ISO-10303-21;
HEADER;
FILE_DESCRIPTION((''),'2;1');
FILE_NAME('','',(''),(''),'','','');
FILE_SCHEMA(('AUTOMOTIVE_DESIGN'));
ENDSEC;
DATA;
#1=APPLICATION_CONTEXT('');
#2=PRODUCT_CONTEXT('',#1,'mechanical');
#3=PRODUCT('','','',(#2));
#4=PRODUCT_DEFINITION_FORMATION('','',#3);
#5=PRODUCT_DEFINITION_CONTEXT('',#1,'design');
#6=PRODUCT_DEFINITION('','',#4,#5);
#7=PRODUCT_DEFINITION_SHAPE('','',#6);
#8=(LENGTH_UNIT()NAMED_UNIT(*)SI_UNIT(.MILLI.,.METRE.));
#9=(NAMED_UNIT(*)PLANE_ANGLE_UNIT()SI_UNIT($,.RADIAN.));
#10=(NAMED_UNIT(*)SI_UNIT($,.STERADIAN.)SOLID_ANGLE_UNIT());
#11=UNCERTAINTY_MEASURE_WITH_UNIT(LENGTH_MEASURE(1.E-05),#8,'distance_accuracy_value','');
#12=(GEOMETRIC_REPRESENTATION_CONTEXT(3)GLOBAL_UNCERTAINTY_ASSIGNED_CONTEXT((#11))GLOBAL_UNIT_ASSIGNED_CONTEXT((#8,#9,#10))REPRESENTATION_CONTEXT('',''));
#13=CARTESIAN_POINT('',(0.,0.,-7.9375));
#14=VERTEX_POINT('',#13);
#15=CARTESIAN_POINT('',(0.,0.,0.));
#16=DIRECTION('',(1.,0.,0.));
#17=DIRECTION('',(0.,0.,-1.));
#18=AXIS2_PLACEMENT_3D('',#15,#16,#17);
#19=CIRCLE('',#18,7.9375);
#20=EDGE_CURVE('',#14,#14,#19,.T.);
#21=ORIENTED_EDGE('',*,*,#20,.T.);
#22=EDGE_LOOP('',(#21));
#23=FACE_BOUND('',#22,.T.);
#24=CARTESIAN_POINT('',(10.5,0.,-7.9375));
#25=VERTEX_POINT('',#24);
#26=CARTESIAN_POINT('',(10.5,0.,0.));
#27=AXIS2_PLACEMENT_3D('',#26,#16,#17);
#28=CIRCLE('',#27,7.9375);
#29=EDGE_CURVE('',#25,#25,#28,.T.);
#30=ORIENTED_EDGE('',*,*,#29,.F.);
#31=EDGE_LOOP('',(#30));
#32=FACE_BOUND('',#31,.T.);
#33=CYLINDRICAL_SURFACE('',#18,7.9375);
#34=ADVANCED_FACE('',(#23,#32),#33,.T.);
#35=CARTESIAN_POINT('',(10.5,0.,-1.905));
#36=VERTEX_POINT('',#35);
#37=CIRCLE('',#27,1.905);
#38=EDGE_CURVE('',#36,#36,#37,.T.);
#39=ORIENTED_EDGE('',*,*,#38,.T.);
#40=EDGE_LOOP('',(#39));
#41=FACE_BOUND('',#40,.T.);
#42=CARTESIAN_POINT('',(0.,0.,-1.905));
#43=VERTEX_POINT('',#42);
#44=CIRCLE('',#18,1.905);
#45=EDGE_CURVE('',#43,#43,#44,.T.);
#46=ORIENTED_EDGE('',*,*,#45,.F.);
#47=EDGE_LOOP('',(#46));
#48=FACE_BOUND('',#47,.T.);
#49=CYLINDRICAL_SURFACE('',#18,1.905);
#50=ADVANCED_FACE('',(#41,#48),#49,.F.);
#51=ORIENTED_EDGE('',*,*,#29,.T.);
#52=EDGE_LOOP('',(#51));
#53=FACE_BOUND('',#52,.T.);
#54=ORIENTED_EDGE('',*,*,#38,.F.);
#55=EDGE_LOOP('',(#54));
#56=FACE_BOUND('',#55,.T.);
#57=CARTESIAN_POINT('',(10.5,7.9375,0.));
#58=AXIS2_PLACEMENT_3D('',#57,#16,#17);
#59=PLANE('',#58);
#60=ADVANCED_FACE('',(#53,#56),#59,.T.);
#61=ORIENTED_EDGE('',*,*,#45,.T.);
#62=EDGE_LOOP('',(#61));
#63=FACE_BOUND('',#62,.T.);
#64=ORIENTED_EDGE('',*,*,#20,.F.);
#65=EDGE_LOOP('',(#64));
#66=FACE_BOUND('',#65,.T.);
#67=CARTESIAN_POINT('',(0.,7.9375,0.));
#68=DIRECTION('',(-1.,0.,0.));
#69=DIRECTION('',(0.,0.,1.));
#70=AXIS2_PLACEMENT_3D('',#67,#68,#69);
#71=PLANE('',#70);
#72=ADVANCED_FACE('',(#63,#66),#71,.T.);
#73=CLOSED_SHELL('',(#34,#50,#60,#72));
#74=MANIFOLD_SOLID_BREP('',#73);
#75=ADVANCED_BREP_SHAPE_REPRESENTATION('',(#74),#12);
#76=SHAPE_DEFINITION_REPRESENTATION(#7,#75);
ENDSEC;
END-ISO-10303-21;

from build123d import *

# Parameters (mm, degrees)
SKETCH1_W = 10.5
SKETCH1_H = 6.0325


with BuildPart() as part:
    # Sketch1 → Revolve1 (revolve)
    with BuildSketch(Plane.XY):
        with Locations((5.25, 4.92125)):
            Rectangle(SKETCH1_W, SKETCH1_H)
    revolve(axis=Axis((0, 0, 0), (-1, 0, 0)))


solid = part.part
